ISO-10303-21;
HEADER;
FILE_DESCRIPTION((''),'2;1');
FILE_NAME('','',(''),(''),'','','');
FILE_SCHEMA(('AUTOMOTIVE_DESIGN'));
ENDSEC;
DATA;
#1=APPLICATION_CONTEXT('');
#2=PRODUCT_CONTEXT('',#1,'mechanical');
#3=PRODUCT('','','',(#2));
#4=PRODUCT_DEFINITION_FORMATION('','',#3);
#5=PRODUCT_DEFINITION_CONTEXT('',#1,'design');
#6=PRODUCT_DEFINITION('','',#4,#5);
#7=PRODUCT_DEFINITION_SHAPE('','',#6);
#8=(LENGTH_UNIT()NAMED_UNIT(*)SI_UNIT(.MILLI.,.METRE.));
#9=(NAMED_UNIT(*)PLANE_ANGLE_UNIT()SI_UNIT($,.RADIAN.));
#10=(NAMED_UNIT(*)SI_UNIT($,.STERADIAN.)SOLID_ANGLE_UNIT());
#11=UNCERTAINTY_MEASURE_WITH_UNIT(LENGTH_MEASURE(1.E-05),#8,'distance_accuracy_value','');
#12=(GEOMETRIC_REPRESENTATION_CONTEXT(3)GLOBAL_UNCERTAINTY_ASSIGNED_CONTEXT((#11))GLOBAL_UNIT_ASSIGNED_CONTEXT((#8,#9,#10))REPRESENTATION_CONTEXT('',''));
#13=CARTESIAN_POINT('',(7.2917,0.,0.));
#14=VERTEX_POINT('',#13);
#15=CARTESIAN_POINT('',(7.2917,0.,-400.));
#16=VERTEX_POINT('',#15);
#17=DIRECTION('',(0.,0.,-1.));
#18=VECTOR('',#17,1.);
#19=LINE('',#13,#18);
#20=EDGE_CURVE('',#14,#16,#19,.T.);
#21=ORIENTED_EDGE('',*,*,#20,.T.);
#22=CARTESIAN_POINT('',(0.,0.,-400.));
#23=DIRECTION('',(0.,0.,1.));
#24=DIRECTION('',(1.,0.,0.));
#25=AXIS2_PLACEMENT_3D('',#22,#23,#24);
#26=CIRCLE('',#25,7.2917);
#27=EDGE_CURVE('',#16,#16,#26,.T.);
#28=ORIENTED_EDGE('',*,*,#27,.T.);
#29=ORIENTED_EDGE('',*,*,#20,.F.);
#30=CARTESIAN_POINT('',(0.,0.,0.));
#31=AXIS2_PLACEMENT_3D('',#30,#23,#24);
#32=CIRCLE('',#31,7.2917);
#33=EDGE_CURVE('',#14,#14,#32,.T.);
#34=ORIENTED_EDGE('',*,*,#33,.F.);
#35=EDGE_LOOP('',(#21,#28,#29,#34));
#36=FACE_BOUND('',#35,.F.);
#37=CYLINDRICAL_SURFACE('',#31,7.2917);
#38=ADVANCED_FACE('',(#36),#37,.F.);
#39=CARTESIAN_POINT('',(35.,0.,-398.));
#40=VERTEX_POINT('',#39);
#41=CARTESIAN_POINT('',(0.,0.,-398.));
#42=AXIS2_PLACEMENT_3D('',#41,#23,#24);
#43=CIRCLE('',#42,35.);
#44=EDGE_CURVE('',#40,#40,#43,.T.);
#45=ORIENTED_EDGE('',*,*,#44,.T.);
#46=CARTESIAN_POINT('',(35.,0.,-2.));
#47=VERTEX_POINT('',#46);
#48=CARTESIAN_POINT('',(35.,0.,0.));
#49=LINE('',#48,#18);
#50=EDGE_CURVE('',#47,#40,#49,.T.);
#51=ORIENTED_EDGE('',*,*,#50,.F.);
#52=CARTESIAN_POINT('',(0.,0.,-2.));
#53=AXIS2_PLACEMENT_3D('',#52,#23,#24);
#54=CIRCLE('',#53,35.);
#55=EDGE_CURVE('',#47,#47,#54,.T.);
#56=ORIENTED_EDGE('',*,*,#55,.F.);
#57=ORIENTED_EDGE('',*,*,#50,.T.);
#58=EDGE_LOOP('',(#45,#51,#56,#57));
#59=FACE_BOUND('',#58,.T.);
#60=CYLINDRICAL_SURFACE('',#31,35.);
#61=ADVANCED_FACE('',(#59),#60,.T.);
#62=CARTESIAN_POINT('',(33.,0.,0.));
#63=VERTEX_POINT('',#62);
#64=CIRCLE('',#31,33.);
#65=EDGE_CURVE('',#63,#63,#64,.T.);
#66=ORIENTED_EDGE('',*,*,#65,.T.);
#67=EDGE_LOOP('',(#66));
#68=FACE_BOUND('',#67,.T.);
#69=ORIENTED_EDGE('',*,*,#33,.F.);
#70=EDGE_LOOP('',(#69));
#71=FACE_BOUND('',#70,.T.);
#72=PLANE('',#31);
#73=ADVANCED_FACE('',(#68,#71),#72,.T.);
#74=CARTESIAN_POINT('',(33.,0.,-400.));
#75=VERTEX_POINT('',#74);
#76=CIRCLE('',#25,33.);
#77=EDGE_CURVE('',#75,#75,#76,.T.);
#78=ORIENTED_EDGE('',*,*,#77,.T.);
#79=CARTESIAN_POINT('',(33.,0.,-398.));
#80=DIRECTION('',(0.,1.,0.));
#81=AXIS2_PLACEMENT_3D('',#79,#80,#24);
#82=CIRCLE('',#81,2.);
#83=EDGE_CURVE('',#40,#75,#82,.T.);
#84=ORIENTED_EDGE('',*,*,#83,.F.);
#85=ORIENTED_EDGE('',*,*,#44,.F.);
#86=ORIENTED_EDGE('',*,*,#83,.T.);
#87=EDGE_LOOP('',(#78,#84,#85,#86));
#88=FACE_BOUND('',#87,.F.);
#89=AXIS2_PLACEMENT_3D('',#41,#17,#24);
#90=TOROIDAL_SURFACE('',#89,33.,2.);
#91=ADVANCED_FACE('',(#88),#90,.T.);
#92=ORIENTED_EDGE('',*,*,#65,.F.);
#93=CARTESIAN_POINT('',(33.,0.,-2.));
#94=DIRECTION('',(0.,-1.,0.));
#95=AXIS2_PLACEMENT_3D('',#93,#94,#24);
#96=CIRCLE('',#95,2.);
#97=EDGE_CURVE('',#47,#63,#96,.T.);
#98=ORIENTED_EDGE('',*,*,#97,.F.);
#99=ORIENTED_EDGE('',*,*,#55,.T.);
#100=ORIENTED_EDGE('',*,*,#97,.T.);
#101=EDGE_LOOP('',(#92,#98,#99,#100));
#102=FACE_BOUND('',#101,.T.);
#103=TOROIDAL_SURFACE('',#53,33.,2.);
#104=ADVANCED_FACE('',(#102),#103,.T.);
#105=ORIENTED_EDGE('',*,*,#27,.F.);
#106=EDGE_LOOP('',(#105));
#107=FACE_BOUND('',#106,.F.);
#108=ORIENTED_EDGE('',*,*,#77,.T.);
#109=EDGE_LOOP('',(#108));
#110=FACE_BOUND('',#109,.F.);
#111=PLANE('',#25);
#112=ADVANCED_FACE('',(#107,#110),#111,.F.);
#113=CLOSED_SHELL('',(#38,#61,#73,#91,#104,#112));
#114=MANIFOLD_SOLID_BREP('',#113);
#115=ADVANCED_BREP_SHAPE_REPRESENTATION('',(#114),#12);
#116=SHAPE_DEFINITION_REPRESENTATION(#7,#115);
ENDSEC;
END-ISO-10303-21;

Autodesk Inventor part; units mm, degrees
ref_plane "YZ Plane" through (0, 0, 0) normal (1, 0, 0) x (0, 1, 0)
ref_plane "XZ Plane" through (0, 0, 0) normal (0, 1, 0) x (-1, 0, 0)
ref_plane "XY Plane" through (0, 0, 0) normal (0, 0, 1) x (1, 0, 0)
sketch "Sketch1" plane through (0, 0, 0) normal (0, 0, 1) x (1, 0, 0)
  circle A0 centre (0, 0) radius 35
  circle A1 centre (0, 0) radius 7.2917
  dimension "d0" = 70
extrude "Extrusion1" add sketch "Sketch1" against normal blind 400
fillet "Fillet1" radius 2 2 edges at (-35, 0, 0) (-35, 0, -400)
properties part number "ADSK-MH-10022" material "Steel, Mild"
